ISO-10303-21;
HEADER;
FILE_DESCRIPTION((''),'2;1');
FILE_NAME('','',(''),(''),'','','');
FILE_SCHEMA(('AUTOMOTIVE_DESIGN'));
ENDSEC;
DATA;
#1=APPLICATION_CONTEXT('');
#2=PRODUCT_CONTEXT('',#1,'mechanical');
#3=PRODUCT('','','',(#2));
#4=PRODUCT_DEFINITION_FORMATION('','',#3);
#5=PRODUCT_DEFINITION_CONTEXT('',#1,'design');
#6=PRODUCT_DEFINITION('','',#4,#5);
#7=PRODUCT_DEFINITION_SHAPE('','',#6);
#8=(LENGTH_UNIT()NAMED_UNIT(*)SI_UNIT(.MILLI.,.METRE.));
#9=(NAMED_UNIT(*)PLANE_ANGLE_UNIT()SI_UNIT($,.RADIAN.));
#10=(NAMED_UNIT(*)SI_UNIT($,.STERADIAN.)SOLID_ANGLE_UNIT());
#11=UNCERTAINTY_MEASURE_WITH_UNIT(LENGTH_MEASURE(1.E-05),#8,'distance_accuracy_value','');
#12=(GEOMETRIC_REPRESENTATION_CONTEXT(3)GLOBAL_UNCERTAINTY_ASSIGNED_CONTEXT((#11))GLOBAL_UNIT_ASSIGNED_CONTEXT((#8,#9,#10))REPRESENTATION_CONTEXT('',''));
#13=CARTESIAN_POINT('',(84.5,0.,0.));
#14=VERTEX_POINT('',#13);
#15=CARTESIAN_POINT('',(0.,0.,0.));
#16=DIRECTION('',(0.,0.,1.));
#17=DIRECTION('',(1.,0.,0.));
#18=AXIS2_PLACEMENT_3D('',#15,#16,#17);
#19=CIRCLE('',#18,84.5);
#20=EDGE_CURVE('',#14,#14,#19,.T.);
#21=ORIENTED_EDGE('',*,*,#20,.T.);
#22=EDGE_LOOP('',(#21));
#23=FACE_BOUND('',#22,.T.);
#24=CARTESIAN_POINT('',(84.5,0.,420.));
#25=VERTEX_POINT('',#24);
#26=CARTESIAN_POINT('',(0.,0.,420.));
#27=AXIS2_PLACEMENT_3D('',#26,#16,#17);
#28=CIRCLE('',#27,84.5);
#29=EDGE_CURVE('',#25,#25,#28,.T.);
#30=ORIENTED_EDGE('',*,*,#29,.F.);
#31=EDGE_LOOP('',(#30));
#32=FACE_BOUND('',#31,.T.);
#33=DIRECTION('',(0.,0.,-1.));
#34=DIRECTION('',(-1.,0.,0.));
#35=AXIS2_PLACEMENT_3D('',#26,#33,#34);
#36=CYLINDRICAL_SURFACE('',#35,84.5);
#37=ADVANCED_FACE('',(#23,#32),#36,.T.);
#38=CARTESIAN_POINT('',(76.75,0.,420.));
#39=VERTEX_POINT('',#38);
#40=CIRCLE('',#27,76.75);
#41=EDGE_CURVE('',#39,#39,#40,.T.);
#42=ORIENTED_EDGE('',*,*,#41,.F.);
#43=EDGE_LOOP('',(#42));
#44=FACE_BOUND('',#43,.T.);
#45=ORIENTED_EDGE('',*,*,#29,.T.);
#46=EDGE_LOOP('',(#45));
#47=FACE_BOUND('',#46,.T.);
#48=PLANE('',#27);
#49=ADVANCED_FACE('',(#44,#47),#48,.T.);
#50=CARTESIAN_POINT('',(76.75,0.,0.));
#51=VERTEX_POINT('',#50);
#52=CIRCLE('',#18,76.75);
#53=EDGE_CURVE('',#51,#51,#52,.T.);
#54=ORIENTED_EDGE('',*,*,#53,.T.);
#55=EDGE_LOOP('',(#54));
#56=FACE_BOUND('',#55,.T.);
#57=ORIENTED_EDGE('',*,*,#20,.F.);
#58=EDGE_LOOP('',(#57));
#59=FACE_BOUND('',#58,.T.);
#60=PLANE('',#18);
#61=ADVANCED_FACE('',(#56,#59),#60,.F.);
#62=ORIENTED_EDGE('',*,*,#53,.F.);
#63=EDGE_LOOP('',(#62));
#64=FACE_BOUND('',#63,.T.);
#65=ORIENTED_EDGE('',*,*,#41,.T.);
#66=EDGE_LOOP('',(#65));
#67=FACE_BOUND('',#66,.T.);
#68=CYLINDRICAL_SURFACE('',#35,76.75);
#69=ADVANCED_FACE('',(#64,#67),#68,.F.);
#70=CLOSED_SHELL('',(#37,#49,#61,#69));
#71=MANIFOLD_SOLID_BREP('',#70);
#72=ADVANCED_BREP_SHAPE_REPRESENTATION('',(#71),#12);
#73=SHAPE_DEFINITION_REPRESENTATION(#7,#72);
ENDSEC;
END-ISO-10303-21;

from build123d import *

# Parameters (mm, degrees)
SKETCH2_R           = 84.5
SKETCH2_R_2         = 76.75
BOSS_EXTRUDE1_DEPTH = 420


with BuildPart() as part:
    # Sketch2 → Boss-Extrude1 (new body)
    with BuildSketch(Plane.XY):
        Circle(SKETCH2_R)
        Circle(SKETCH2_R_2, mode=Mode.SUBTRACT)
    extrude(amount=BOSS_EXTRUDE1_DEPTH)


solid = part.part
